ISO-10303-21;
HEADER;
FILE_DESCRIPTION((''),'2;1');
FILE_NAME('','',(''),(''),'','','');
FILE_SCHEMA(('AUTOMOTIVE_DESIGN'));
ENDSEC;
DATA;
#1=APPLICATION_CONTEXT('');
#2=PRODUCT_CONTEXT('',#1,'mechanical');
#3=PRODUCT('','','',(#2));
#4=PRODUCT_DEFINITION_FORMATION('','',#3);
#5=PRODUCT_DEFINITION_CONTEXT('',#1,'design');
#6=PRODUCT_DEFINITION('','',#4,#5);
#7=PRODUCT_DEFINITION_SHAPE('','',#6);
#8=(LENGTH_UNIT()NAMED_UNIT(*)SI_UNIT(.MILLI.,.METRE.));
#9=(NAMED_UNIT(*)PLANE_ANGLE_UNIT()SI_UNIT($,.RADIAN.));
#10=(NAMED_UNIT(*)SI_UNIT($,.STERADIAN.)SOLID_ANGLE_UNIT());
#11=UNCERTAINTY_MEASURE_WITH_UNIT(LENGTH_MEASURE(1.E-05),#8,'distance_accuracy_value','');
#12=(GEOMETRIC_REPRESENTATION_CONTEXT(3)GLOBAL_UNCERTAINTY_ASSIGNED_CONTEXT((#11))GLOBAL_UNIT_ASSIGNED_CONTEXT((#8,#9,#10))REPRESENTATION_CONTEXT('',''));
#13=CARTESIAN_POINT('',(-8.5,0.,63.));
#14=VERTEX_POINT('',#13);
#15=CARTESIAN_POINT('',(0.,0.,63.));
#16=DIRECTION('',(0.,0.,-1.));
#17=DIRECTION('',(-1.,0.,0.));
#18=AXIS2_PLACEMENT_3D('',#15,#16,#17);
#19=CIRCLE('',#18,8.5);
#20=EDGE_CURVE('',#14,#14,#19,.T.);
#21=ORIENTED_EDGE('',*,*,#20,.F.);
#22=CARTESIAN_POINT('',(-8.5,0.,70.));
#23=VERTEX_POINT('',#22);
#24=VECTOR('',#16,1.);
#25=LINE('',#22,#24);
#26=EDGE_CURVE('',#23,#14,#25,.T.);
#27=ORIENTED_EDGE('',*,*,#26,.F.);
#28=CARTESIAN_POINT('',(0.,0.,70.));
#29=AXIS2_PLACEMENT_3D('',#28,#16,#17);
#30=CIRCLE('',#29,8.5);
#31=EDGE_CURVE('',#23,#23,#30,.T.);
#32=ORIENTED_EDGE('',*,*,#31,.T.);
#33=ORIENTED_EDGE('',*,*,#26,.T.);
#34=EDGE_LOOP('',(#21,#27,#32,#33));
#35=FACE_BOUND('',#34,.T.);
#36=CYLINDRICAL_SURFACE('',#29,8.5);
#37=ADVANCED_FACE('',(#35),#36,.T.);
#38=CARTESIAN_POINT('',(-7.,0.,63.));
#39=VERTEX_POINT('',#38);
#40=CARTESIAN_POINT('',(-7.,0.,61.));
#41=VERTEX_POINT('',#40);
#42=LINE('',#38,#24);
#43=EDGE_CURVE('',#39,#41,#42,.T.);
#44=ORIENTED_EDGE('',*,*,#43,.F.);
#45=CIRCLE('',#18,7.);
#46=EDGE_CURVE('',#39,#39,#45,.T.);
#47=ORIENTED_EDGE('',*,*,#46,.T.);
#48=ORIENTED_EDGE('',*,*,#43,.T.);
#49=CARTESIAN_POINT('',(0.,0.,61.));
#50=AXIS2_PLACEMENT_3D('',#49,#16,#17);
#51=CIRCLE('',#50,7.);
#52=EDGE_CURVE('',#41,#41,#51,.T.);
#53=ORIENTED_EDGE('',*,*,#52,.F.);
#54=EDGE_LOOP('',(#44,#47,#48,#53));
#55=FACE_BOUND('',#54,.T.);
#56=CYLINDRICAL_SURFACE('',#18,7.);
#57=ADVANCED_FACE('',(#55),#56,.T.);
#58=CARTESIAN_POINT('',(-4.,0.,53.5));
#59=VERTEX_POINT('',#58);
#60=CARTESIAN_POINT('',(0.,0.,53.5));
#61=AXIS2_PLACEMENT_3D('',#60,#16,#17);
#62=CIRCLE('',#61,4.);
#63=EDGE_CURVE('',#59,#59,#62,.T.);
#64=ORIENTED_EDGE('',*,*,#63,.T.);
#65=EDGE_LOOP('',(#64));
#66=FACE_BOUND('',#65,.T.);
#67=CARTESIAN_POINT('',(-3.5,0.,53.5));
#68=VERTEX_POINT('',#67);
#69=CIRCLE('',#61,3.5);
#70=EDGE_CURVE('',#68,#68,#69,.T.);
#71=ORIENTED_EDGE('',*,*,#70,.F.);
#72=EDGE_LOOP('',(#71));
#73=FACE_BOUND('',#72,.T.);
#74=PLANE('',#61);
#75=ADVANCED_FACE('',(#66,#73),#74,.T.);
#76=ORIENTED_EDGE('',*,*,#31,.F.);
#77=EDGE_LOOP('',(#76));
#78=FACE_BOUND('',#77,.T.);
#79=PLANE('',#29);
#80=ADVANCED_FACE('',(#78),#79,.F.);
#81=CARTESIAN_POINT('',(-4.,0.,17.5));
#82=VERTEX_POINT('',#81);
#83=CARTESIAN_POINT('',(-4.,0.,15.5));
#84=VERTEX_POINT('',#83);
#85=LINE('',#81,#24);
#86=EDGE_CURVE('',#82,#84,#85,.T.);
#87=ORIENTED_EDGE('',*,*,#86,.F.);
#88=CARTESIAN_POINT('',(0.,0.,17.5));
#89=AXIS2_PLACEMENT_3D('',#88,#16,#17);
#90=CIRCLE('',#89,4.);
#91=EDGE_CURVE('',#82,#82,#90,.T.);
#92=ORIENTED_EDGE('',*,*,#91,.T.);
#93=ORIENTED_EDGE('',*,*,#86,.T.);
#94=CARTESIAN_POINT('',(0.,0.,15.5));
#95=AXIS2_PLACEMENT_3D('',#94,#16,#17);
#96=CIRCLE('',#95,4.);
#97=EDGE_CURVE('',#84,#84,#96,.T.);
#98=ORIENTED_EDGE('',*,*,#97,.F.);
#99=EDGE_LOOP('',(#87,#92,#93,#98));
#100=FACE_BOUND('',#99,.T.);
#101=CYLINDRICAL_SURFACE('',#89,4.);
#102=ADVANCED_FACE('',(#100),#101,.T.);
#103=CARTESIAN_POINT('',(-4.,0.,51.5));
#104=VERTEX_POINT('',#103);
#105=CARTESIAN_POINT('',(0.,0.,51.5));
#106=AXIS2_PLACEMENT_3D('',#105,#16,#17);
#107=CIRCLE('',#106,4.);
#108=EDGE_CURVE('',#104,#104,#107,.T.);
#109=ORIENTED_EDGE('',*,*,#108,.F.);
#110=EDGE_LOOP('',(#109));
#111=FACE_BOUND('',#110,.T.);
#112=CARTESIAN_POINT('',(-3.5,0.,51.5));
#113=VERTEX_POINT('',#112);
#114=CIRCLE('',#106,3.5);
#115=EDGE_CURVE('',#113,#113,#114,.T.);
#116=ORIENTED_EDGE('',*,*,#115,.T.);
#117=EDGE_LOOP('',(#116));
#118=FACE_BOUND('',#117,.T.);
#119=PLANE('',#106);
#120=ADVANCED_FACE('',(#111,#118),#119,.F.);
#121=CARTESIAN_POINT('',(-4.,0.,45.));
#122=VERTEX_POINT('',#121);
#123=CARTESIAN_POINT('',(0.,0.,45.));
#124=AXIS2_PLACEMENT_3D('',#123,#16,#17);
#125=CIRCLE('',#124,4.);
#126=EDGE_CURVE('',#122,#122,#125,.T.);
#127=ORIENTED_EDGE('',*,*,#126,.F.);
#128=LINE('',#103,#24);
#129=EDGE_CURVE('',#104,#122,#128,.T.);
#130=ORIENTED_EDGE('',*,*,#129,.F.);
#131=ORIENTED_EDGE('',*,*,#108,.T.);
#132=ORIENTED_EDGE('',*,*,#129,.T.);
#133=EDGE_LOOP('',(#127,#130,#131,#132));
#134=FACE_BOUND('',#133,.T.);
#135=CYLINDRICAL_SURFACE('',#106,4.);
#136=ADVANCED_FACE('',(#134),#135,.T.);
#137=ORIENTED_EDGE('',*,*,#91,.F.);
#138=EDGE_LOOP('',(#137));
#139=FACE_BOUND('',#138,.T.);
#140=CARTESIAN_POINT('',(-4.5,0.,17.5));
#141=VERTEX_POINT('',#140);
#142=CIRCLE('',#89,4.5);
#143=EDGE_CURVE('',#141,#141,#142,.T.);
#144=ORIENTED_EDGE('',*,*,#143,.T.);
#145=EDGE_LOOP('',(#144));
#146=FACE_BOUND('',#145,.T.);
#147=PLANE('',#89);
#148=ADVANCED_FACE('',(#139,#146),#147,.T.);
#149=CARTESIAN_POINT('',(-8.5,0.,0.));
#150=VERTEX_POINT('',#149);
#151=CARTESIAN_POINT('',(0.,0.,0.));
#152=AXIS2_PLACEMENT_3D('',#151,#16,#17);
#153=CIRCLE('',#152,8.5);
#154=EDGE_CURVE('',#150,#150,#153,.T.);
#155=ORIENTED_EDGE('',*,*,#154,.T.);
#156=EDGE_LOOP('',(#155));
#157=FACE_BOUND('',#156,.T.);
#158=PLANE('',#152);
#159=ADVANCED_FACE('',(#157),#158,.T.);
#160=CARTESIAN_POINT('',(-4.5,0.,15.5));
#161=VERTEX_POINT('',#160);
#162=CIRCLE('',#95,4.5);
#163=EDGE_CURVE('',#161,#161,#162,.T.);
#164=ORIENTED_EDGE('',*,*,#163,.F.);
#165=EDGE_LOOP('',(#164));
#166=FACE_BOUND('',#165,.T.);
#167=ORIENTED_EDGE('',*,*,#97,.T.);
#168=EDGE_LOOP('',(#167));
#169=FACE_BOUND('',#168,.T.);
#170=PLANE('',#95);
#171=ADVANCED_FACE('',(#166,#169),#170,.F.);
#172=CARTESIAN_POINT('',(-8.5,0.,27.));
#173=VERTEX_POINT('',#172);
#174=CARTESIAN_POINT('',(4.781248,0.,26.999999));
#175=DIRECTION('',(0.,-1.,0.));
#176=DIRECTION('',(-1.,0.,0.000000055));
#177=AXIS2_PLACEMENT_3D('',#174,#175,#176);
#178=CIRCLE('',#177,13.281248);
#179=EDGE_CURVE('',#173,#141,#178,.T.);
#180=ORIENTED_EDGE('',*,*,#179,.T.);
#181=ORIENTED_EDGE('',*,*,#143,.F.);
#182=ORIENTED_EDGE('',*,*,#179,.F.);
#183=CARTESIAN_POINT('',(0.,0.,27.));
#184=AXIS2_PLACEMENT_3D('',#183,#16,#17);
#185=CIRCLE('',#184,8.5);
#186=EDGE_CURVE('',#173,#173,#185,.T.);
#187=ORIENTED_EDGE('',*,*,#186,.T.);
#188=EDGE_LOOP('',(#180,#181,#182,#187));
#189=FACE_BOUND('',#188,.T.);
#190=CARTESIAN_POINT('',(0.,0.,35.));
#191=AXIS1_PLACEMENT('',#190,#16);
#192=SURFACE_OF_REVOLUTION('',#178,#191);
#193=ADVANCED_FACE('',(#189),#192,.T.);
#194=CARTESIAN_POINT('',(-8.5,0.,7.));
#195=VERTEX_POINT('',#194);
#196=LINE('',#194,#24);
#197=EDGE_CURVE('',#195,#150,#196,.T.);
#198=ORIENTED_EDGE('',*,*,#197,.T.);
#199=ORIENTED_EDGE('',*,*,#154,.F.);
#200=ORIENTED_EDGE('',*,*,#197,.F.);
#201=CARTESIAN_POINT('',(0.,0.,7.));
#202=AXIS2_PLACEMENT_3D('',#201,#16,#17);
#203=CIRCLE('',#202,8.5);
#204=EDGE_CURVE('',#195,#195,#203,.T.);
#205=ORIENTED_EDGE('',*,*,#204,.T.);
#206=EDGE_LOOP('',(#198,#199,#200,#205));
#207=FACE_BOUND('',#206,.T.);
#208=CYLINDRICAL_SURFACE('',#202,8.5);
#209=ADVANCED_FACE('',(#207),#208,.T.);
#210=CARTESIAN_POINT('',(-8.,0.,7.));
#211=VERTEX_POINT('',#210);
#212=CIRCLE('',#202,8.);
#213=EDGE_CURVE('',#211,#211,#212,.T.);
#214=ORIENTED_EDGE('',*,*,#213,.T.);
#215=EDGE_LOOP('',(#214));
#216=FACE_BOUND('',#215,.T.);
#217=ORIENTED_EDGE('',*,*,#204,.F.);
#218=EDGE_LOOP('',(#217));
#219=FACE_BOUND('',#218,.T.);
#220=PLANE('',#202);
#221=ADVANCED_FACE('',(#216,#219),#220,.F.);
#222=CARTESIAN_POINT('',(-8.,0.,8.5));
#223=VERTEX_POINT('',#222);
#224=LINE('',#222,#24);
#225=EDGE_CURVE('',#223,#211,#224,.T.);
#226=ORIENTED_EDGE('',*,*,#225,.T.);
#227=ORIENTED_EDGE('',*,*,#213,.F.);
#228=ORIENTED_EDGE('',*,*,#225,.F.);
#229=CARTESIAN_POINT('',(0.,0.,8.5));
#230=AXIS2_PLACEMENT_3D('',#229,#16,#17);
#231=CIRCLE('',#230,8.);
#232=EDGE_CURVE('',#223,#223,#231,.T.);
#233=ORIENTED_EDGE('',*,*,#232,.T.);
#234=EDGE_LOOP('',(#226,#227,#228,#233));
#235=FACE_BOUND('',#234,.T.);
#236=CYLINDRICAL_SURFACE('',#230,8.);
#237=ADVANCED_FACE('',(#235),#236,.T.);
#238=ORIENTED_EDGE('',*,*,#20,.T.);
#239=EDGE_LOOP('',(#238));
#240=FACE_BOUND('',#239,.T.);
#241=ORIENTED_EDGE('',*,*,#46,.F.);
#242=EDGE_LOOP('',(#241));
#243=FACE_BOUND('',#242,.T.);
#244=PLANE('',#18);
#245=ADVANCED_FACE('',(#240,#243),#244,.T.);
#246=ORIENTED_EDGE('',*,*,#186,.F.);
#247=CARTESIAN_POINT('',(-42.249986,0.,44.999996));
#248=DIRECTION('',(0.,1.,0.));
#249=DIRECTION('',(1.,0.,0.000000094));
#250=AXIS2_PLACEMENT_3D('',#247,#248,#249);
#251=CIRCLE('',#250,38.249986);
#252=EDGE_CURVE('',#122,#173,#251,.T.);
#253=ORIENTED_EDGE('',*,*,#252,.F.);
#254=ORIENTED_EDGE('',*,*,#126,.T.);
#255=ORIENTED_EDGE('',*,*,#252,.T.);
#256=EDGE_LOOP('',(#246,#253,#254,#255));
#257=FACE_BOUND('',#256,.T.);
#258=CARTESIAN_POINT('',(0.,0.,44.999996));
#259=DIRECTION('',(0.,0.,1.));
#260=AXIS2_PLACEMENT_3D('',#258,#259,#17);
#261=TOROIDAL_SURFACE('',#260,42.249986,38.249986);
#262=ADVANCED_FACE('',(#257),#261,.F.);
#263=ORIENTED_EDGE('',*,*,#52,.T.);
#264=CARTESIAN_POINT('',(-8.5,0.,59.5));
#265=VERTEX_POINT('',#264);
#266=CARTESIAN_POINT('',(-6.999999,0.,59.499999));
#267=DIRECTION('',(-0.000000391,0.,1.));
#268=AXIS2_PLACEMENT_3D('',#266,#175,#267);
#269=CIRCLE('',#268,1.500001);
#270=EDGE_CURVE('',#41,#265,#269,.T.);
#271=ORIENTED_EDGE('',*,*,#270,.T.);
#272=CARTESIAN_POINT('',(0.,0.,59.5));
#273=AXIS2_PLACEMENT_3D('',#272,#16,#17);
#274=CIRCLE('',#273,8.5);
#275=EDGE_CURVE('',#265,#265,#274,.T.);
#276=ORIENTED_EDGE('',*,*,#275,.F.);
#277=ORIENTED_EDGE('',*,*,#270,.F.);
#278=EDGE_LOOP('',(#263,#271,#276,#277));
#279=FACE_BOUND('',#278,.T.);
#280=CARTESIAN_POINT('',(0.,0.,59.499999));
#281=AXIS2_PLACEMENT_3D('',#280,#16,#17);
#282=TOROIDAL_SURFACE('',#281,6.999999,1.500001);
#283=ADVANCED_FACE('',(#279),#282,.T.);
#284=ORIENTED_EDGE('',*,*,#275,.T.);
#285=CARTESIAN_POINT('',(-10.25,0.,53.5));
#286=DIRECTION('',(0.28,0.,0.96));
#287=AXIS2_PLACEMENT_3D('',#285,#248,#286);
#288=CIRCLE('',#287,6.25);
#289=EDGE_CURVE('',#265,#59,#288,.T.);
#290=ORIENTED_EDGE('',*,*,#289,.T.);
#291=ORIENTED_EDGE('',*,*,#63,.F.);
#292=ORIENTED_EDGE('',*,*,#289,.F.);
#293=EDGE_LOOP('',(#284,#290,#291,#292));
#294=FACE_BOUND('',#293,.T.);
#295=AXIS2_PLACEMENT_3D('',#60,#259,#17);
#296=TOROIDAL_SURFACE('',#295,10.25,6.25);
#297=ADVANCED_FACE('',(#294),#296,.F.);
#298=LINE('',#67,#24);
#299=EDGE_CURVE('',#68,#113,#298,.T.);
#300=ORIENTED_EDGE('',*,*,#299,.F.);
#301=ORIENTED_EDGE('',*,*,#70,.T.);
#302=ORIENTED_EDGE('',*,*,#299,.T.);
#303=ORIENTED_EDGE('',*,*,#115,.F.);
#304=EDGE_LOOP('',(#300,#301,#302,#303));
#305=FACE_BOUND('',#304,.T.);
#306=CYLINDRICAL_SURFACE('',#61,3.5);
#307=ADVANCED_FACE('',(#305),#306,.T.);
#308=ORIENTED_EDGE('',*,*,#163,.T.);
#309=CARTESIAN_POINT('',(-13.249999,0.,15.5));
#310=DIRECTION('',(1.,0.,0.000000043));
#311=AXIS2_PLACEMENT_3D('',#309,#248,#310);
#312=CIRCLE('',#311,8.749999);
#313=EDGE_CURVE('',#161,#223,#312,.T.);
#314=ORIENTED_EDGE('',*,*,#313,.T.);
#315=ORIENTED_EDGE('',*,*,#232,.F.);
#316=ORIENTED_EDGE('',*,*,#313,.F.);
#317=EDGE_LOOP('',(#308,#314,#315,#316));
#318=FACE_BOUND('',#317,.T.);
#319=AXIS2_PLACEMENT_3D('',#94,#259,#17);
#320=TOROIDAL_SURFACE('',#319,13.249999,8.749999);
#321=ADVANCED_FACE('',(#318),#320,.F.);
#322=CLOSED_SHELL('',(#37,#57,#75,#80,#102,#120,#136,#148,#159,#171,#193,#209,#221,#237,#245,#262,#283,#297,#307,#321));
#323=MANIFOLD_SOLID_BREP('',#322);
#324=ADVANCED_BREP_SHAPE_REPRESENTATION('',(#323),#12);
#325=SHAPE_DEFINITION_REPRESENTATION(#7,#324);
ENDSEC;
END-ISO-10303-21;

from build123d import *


with BuildPart() as f1:
    # F0 (on Front) → F1 (revolve)
    with BuildSketch(Plane.XZ):
        with BuildLine():
            Line((-8.5, 0), (0, 0))
            Line((0, 0), (0, 70))
            Line((0, 70), (-8.5, 70))
            Line((-8.5, 70), (-8.5, 63))
            Line((-8.5, 63), (-7, 63))
            Line((-7, 63), (-7, 61))
            ThreePointArc((-7, 61), (-8.06066, 60.56066), (-8.5, 59.5))
            ThreePointArc((-8.5, 59.5), (-5.25, 57.25), (-4, 53.5))
            Line((-4, 53.5), (-3.5, 53.5))
            Line((-3.5, 53.5), (-3.5, 51.5))
            Line((-3.5, 51.5), (-4, 51.5))
            Line((-4, 51.5), (-4, 45))
            ThreePointArc((-4, 45), (-5.142049, 35.723012), (-8.5, 27))
            ThreePointArc((-8.5, 27), (-7.45922, 21.846118), (-4.5, 17.5))
            Line((-4.5, 17.5), (-4, 17.5))
            Line((-4, 17.5), (-4, 15.5))
            Line((-4, 15.5), (-4.5, 15.5))
            ThreePointArc((-4.5, 15.5), (-5.423762, 11.586881), (-8, 8.5))
            Line((-8, 8.5), (-8, 7))
            Line((-8, 7), (-8.5, 7))
            Line((-8.5, 7), (-8.5, 0))
        make_face()
    revolve(axis=Axis((0, 0, 35), (0, 0, -1)))


solid = f1.part
